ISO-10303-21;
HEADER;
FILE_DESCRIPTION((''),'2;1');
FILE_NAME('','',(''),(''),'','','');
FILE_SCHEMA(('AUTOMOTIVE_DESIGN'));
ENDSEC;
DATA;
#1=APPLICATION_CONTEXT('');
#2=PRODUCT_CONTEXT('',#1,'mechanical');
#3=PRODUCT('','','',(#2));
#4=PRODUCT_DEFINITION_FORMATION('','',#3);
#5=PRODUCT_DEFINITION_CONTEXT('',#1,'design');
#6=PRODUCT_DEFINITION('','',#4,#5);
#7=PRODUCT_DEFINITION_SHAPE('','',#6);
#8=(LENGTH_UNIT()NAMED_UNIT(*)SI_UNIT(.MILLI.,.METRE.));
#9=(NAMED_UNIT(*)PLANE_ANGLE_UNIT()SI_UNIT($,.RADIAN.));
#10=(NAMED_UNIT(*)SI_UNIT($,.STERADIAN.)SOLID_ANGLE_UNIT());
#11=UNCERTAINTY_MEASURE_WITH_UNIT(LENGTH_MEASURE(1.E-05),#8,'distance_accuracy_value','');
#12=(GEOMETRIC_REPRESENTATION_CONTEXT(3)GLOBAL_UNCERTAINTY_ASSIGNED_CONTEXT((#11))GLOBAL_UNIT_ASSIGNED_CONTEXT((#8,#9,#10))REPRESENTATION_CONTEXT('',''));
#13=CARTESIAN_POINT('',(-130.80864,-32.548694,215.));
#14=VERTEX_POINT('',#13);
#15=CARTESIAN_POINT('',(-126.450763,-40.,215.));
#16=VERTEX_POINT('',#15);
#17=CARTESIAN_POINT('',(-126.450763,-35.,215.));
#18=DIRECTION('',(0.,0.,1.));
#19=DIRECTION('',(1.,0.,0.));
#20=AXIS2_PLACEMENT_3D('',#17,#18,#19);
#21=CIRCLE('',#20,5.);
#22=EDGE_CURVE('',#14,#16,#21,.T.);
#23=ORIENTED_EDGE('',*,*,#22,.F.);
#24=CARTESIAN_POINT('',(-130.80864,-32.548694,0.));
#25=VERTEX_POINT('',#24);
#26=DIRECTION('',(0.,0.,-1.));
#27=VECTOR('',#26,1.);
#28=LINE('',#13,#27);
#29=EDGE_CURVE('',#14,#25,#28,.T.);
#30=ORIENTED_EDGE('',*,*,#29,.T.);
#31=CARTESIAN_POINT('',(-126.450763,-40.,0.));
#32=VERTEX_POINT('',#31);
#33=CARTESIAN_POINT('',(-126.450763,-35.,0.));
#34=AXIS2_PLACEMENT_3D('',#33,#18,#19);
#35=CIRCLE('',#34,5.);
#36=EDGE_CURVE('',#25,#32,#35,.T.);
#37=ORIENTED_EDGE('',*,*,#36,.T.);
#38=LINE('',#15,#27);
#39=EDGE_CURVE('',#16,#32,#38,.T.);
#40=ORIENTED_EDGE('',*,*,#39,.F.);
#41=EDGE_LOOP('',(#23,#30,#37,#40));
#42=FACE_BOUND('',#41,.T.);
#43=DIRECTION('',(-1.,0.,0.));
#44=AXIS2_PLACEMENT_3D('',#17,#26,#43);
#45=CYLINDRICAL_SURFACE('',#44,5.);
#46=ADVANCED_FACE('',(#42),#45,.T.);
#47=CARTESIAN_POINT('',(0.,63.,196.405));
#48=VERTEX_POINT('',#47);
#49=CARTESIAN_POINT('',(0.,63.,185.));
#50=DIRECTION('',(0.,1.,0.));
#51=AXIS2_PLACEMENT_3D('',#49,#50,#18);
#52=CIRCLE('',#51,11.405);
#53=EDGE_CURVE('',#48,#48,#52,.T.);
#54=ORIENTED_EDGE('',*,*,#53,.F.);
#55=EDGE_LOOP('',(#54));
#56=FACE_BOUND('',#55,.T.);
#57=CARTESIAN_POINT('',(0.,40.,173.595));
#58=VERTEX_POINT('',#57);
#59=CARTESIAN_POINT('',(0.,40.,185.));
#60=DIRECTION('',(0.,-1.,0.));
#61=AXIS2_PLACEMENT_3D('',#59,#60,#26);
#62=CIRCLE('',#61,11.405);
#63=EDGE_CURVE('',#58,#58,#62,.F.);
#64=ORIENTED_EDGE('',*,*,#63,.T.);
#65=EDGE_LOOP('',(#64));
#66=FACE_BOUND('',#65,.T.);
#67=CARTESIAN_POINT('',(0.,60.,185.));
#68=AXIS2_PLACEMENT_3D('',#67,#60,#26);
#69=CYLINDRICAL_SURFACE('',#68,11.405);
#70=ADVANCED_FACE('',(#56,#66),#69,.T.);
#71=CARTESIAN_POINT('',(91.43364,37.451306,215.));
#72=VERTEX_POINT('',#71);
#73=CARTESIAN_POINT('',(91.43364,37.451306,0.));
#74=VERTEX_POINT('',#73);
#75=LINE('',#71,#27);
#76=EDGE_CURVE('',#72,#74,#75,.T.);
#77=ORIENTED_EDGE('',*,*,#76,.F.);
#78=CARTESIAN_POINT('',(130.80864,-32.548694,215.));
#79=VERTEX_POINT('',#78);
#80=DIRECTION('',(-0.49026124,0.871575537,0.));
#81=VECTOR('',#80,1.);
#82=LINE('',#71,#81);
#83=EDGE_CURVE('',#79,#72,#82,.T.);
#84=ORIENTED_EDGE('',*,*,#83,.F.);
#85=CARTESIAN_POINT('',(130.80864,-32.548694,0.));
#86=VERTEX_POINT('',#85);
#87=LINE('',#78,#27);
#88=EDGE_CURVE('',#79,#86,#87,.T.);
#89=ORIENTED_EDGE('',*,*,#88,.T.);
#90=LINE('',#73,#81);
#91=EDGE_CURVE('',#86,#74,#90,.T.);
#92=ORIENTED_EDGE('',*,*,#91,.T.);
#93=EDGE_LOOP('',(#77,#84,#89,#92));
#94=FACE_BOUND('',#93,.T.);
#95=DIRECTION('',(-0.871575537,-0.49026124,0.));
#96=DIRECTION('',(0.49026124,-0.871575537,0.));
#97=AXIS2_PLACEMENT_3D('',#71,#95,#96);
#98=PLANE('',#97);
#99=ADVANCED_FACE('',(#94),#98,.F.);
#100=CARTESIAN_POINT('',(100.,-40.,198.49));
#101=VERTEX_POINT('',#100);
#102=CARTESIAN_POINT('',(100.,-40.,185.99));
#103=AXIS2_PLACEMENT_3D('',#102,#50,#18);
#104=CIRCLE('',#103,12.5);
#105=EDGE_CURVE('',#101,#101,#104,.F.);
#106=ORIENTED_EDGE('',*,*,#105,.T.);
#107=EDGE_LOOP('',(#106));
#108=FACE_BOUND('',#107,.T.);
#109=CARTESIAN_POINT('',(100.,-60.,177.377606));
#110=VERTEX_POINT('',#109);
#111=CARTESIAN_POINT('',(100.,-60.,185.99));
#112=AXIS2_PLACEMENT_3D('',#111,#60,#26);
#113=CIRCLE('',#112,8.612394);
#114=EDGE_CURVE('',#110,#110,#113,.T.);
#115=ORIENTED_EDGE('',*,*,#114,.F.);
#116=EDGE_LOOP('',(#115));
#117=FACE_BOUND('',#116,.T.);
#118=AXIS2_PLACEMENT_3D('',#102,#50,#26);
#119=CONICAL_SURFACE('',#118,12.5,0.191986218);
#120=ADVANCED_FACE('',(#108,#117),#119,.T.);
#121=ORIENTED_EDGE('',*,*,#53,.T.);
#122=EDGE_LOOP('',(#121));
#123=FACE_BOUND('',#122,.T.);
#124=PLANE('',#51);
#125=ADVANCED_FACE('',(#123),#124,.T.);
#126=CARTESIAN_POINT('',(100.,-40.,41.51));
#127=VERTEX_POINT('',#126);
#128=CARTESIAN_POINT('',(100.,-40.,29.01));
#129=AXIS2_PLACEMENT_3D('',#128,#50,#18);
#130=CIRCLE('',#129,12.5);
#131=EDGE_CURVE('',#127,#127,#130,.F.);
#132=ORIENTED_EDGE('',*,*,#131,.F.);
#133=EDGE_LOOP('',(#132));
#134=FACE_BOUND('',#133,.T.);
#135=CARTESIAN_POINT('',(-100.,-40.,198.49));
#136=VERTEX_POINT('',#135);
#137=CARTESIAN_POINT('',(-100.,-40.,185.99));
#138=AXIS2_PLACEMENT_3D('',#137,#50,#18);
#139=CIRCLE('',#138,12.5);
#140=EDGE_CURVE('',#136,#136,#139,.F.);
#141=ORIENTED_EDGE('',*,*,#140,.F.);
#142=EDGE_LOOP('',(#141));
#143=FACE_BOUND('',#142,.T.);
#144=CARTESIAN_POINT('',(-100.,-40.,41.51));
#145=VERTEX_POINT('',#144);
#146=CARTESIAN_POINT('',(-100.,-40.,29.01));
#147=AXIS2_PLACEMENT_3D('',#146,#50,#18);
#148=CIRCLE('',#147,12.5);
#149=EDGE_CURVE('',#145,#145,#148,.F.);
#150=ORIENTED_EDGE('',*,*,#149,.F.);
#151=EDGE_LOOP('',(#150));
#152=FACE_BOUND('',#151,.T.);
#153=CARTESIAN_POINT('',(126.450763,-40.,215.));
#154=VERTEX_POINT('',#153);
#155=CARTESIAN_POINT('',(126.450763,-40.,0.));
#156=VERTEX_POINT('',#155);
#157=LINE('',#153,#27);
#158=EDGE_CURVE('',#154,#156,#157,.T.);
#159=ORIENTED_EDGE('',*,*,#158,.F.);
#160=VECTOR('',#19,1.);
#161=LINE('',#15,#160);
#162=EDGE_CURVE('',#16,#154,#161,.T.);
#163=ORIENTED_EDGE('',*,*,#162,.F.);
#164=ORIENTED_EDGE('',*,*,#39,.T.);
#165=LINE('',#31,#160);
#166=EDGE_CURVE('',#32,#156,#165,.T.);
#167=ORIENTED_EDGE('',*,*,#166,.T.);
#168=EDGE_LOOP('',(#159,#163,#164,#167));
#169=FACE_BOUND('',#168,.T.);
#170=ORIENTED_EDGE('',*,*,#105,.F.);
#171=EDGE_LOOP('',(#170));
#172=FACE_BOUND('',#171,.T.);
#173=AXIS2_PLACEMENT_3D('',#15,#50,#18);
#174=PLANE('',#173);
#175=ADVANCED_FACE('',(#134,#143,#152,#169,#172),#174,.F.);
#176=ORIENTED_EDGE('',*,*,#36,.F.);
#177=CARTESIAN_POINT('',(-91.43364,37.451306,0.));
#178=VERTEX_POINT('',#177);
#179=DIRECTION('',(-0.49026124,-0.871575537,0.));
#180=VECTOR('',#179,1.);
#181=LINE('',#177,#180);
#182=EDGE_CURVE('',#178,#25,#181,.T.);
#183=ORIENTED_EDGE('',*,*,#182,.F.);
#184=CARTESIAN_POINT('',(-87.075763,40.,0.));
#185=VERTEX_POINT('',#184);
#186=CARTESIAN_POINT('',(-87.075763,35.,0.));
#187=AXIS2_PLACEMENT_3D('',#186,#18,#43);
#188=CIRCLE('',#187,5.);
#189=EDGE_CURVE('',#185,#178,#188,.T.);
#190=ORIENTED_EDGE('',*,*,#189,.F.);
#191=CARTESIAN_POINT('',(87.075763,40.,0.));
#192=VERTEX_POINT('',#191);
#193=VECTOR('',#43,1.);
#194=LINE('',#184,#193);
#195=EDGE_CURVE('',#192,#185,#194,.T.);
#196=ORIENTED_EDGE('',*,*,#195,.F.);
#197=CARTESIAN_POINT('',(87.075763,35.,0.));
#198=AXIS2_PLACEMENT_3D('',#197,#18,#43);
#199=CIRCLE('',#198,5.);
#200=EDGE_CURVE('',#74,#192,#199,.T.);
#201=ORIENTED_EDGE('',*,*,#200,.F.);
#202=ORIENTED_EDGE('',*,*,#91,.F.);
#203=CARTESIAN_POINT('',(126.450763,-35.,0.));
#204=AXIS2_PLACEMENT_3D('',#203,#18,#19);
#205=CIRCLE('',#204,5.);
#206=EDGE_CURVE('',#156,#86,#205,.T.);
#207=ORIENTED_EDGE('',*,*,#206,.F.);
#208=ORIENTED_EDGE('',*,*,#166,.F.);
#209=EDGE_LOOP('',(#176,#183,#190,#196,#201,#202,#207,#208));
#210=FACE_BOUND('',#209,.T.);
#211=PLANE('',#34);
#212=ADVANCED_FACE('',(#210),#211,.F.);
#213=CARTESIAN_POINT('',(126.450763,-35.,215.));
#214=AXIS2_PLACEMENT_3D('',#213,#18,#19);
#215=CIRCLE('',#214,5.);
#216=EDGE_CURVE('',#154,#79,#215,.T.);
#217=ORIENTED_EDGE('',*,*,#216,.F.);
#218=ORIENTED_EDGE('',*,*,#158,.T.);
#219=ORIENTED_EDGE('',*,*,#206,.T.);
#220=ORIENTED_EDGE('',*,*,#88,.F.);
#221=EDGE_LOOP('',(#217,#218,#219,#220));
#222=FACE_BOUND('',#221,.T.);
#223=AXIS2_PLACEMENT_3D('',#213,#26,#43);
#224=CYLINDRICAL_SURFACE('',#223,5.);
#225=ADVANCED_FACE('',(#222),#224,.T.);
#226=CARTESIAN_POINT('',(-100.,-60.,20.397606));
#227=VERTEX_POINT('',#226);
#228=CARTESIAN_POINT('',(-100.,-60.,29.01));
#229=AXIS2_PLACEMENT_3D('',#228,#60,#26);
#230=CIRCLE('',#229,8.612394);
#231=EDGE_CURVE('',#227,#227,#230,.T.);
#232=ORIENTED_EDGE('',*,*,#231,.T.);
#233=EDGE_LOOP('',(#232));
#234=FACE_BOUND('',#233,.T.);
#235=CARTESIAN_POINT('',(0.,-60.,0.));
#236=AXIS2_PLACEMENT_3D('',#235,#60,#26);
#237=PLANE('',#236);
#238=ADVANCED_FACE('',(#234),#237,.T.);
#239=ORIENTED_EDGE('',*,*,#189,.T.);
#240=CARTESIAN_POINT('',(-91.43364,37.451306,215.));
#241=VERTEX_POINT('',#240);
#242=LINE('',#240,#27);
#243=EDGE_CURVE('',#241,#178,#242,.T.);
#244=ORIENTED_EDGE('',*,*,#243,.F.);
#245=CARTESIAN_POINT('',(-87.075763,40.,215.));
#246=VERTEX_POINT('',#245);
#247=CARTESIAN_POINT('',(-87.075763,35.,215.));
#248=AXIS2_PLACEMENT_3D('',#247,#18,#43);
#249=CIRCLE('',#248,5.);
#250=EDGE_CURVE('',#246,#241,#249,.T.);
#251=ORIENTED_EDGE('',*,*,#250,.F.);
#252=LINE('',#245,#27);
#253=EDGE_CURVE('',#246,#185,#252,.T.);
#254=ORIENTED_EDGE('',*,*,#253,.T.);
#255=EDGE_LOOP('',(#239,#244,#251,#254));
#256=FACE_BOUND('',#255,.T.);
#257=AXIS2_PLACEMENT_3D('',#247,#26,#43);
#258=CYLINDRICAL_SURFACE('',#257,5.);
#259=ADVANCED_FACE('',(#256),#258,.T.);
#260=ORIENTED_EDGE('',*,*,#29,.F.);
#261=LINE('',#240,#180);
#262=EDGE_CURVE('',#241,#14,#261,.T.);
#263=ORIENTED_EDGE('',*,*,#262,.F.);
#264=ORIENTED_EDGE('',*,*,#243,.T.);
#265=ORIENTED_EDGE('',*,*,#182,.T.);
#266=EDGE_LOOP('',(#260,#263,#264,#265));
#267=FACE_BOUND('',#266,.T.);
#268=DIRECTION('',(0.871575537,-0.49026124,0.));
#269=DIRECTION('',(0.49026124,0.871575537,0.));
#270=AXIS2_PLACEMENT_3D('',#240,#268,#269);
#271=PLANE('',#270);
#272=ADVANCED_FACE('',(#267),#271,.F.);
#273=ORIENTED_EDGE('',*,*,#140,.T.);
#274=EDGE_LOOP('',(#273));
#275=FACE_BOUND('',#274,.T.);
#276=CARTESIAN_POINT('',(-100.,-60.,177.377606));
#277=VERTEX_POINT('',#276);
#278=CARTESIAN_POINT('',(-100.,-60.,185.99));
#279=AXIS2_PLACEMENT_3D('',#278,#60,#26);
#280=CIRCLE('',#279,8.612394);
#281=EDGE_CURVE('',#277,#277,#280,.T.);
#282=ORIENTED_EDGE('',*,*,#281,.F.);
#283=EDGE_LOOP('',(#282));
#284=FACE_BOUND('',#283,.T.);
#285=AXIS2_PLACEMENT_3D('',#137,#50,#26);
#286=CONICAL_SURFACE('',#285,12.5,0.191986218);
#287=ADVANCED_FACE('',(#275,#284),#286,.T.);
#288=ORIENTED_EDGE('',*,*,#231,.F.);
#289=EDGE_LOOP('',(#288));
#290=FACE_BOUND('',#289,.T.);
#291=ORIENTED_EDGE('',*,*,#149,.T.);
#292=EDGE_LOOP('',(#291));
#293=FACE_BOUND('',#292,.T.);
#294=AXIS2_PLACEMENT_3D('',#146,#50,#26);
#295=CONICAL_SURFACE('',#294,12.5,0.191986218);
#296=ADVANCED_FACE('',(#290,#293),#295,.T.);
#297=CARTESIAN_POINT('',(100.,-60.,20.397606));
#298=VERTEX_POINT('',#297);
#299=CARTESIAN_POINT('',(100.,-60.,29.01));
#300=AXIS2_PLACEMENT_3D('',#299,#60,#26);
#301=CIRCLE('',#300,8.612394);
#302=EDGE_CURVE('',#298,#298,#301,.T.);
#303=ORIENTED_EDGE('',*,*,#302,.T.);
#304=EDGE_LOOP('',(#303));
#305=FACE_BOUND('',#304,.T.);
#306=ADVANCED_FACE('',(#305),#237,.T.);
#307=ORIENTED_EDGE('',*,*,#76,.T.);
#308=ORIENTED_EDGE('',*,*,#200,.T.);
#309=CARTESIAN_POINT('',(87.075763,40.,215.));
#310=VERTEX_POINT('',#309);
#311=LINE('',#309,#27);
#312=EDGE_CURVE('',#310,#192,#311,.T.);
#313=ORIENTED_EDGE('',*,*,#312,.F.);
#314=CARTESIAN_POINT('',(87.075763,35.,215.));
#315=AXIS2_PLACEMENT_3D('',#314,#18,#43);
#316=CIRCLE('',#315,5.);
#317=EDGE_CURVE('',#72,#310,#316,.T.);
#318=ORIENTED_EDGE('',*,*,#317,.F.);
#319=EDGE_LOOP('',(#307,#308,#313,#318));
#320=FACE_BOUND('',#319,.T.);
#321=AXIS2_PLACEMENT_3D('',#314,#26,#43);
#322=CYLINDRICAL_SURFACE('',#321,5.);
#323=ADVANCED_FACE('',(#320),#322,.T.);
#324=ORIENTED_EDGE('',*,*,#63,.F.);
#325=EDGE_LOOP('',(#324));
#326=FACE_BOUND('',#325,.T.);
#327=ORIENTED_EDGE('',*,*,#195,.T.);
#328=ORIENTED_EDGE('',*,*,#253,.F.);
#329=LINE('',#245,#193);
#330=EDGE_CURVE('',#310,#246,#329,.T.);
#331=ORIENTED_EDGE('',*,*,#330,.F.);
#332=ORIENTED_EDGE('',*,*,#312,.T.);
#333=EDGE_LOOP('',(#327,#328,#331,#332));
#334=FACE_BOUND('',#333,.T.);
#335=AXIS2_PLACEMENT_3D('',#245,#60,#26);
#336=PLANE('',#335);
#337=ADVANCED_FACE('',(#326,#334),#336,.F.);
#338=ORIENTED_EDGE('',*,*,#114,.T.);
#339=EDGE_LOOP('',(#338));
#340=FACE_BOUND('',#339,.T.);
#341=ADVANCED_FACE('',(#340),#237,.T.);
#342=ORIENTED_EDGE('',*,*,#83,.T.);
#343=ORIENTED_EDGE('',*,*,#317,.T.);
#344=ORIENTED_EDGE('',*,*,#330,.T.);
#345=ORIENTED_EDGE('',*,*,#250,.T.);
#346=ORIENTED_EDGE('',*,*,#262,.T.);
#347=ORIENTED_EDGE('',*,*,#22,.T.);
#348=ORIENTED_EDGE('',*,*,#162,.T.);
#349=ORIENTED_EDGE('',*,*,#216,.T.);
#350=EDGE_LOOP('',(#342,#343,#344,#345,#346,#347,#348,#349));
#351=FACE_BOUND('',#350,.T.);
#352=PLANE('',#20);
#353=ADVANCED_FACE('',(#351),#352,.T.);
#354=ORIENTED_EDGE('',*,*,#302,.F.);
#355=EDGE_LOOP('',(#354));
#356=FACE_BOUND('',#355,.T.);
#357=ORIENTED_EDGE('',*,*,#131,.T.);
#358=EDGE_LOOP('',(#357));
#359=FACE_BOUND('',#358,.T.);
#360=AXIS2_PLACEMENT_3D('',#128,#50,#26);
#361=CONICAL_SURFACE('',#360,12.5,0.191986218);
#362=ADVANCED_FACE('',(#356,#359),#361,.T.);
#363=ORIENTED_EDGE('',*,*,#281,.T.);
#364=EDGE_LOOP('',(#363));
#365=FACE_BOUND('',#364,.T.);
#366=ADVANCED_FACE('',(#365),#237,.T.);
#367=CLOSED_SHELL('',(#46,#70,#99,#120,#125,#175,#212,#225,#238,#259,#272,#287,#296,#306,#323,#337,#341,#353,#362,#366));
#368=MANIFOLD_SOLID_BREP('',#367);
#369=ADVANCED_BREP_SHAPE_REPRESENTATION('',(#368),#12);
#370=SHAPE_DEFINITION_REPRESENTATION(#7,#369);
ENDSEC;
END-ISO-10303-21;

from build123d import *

# Parameters (mm, degrees)
BOSS_EXTRUDE1_DEPTH           = 215
SKETCH2_R                     = 11.405
BOSS_EXTRUDE2_DEPTH           = 20
SKETCH4_R                     = 12.5
BOSS_EXTRUDE3_DEPTH           = 20
BOSS_EXTRUDE3_DRAFT           = 11
BOSS_EXTRUDE3_PROFILE_2_DEPTH = 20
BOSS_EXTRUDE3_PROFILE_2_DRAFT = 11
BOSS_EXTRUDE3_PROFILE_3_DEPTH = 20
BOSS_EXTRUDE3_PROFILE_3_DRAFT = 11
BOSS_EXTRUDE3_PROFILE_4_DEPTH = 20
BOSS_EXTRUDE3_PROFILE_4_DRAFT = 11
SKETCH5_R                     = 11.405
BOSS_EXTRUDE4_DEPTH           = 3


with BuildPart() as part:
    # Sketch1 → Boss-Extrude1 (new body)
    with BuildSketch(Plane.XY):
        with BuildLine():
            Line((-126.450762578, -40), (126.450762578, -40))
            ThreePointArc((126.450762578, -40), (130.766810017, -37.524229487), (130.808640264, -32.548693802))
            Line((130.808640264, -32.548693802), (91.433640264, 37.451306198))
            ThreePointArc((91.433640264, 37.451306198), (89.599992065, 39.316047439), (87.075762578, 40))
            Line((87.075762578, 40), (-87.075762578, 40))
            ThreePointArc((-87.075762578, 40), (-89.599992065, 39.316047439), (-91.433640264, 37.451306198))
            Line((-91.433640264, 37.451306198), (-130.808640264, -32.548693802))
            ThreePointArc((-130.808640264, -32.548693802), (-130.766810017, -37.524229487), (-126.450762578, -40))
        make_face()
    extrude(amount=BOSS_EXTRUDE1_DEPTH)

    # Sketch2 → Boss-Extrude2 (add)
    with BuildSketch(Plane(origin=(0, 40, 0), x_dir=(1, 0, 0), z_dir=(0, 1, 0))):
        with Locations(Location((0, -185, 0), (0, 0, 90))):
            Circle(SKETCH2_R)
    extrude(amount=BOSS_EXTRUDE2_DEPTH)


with BuildPart() as boss_extrude3_tool:
    # Sketch4 → Boss-Extrude3 (with draft: the straight prism first)
    with BuildSketch(Plane.XZ.offset(40)):
        with Locations((-100, 185.99)):
            Circle(SKETCH4_R)
    extrude(amount=BOSS_EXTRUDE3_DEPTH)
    # Boss-Extrude3: the draft: its side faces are tilted about the plane it starts from
    boss_extrude3_sides = [boss_extrude3_tool.faces().sort_by_distance(p)[0] for p in [
        (-112.5, -50, 185.99),
    ]]
    draft(boss_extrude3_sides, Plane.XZ.offset(40), BOSS_EXTRUDE3_DRAFT)


with BuildPart() as part_1:
    add(part.part)

    # Boss-Extrude3: add boss_extrude3_tool
    add(boss_extrude3_tool.part)


with BuildPart() as boss_extrude3_profile_2_tool:
    # Sketch4 → Boss-Extrude3 profile 2 (with draft: the straight prism first)
    with BuildSketch(Plane.XZ.offset(40)):
        with Locations((100, 185.99)):
            Circle(SKETCH4_R)
    extrude(amount=BOSS_EXTRUDE3_PROFILE_2_DEPTH)
    # Boss-Extrude3 profile 2: the draft: its side faces are tilted about the plane it starts from
    boss_extrude3_profile_2_sides = [boss_extrude3_profile_2_tool.faces().sort_by_distance(p)[0] for p in [
        (87.5, -50, 185.99),
    ]]
    draft(boss_extrude3_profile_2_sides, Plane.XZ.offset(40), BOSS_EXTRUDE3_PROFILE_2_DRAFT)


with BuildPart() as part_2:
    add(part_1.part)

    # Boss-Extrude3 profile 2: add boss_extrude3_profile_2_tool
    add(boss_extrude3_profile_2_tool.part)


with BuildPart() as boss_extrude3_profile_3_tool:
    # Sketch4 → Boss-Extrude3 profile 3 (with draft: the straight prism first)
    with BuildSketch(Plane.XZ.offset(40)):
        with Locations((100, 29.01)):
            Circle(SKETCH4_R)
    extrude(amount=BOSS_EXTRUDE3_PROFILE_3_DEPTH)
    # Boss-Extrude3 profile 3: the draft: its side faces are tilted about the plane it starts from
    boss_extrude3_profile_3_sides = [boss_extrude3_profile_3_tool.faces().sort_by_distance(p)[0] for p in [
        (87.5, -50, 29.01),
    ]]
    draft(boss_extrude3_profile_3_sides, Plane.XZ.offset(40), BOSS_EXTRUDE3_PROFILE_3_DRAFT)


with BuildPart() as part_3:
    add(part_2.part)

    # Boss-Extrude3 profile 3: add boss_extrude3_profile_3_tool
    add(boss_extrude3_profile_3_tool.part)


with BuildPart() as boss_extrude3_profile_4_tool:
    # Sketch4 → Boss-Extrude3 profile 4 (with draft: the straight prism first)
    with BuildSketch(Plane.XZ.offset(40)):
        with Locations((-100, 29.01)):
            Circle(SKETCH4_R)
    extrude(amount=BOSS_EXTRUDE3_PROFILE_4_DEPTH)
    # Boss-Extrude3 profile 4: the draft: its side faces are tilted about the plane it starts from
    boss_extrude3_profile_4_sides = [boss_extrude3_profile_4_tool.faces().sort_by_distance(p)[0] for p in [
        (-112.5, -50, 29.01),
    ]]
    draft(boss_extrude3_profile_4_sides, Plane.XZ.offset(40), BOSS_EXTRUDE3_PROFILE_4_DRAFT)


with BuildPart() as part_4:
    add(part_3.part)

    # Boss-Extrude3 profile 4: add boss_extrude3_profile_4_tool
    add(boss_extrude3_profile_4_tool.part)

    # Sketch5 → Boss-Extrude4 (add)
    with BuildSketch(Plane(origin=(0, 60, 0), x_dir=(1, 0, 0), z_dir=(0, 1, 0))):
        with Locations(Location((0, -185, 0), (0, 0, 90))):
            Circle(SKETCH5_R)
    extrude(amount=BOSS_EXTRUDE4_DEPTH)


solid = part_4.part
